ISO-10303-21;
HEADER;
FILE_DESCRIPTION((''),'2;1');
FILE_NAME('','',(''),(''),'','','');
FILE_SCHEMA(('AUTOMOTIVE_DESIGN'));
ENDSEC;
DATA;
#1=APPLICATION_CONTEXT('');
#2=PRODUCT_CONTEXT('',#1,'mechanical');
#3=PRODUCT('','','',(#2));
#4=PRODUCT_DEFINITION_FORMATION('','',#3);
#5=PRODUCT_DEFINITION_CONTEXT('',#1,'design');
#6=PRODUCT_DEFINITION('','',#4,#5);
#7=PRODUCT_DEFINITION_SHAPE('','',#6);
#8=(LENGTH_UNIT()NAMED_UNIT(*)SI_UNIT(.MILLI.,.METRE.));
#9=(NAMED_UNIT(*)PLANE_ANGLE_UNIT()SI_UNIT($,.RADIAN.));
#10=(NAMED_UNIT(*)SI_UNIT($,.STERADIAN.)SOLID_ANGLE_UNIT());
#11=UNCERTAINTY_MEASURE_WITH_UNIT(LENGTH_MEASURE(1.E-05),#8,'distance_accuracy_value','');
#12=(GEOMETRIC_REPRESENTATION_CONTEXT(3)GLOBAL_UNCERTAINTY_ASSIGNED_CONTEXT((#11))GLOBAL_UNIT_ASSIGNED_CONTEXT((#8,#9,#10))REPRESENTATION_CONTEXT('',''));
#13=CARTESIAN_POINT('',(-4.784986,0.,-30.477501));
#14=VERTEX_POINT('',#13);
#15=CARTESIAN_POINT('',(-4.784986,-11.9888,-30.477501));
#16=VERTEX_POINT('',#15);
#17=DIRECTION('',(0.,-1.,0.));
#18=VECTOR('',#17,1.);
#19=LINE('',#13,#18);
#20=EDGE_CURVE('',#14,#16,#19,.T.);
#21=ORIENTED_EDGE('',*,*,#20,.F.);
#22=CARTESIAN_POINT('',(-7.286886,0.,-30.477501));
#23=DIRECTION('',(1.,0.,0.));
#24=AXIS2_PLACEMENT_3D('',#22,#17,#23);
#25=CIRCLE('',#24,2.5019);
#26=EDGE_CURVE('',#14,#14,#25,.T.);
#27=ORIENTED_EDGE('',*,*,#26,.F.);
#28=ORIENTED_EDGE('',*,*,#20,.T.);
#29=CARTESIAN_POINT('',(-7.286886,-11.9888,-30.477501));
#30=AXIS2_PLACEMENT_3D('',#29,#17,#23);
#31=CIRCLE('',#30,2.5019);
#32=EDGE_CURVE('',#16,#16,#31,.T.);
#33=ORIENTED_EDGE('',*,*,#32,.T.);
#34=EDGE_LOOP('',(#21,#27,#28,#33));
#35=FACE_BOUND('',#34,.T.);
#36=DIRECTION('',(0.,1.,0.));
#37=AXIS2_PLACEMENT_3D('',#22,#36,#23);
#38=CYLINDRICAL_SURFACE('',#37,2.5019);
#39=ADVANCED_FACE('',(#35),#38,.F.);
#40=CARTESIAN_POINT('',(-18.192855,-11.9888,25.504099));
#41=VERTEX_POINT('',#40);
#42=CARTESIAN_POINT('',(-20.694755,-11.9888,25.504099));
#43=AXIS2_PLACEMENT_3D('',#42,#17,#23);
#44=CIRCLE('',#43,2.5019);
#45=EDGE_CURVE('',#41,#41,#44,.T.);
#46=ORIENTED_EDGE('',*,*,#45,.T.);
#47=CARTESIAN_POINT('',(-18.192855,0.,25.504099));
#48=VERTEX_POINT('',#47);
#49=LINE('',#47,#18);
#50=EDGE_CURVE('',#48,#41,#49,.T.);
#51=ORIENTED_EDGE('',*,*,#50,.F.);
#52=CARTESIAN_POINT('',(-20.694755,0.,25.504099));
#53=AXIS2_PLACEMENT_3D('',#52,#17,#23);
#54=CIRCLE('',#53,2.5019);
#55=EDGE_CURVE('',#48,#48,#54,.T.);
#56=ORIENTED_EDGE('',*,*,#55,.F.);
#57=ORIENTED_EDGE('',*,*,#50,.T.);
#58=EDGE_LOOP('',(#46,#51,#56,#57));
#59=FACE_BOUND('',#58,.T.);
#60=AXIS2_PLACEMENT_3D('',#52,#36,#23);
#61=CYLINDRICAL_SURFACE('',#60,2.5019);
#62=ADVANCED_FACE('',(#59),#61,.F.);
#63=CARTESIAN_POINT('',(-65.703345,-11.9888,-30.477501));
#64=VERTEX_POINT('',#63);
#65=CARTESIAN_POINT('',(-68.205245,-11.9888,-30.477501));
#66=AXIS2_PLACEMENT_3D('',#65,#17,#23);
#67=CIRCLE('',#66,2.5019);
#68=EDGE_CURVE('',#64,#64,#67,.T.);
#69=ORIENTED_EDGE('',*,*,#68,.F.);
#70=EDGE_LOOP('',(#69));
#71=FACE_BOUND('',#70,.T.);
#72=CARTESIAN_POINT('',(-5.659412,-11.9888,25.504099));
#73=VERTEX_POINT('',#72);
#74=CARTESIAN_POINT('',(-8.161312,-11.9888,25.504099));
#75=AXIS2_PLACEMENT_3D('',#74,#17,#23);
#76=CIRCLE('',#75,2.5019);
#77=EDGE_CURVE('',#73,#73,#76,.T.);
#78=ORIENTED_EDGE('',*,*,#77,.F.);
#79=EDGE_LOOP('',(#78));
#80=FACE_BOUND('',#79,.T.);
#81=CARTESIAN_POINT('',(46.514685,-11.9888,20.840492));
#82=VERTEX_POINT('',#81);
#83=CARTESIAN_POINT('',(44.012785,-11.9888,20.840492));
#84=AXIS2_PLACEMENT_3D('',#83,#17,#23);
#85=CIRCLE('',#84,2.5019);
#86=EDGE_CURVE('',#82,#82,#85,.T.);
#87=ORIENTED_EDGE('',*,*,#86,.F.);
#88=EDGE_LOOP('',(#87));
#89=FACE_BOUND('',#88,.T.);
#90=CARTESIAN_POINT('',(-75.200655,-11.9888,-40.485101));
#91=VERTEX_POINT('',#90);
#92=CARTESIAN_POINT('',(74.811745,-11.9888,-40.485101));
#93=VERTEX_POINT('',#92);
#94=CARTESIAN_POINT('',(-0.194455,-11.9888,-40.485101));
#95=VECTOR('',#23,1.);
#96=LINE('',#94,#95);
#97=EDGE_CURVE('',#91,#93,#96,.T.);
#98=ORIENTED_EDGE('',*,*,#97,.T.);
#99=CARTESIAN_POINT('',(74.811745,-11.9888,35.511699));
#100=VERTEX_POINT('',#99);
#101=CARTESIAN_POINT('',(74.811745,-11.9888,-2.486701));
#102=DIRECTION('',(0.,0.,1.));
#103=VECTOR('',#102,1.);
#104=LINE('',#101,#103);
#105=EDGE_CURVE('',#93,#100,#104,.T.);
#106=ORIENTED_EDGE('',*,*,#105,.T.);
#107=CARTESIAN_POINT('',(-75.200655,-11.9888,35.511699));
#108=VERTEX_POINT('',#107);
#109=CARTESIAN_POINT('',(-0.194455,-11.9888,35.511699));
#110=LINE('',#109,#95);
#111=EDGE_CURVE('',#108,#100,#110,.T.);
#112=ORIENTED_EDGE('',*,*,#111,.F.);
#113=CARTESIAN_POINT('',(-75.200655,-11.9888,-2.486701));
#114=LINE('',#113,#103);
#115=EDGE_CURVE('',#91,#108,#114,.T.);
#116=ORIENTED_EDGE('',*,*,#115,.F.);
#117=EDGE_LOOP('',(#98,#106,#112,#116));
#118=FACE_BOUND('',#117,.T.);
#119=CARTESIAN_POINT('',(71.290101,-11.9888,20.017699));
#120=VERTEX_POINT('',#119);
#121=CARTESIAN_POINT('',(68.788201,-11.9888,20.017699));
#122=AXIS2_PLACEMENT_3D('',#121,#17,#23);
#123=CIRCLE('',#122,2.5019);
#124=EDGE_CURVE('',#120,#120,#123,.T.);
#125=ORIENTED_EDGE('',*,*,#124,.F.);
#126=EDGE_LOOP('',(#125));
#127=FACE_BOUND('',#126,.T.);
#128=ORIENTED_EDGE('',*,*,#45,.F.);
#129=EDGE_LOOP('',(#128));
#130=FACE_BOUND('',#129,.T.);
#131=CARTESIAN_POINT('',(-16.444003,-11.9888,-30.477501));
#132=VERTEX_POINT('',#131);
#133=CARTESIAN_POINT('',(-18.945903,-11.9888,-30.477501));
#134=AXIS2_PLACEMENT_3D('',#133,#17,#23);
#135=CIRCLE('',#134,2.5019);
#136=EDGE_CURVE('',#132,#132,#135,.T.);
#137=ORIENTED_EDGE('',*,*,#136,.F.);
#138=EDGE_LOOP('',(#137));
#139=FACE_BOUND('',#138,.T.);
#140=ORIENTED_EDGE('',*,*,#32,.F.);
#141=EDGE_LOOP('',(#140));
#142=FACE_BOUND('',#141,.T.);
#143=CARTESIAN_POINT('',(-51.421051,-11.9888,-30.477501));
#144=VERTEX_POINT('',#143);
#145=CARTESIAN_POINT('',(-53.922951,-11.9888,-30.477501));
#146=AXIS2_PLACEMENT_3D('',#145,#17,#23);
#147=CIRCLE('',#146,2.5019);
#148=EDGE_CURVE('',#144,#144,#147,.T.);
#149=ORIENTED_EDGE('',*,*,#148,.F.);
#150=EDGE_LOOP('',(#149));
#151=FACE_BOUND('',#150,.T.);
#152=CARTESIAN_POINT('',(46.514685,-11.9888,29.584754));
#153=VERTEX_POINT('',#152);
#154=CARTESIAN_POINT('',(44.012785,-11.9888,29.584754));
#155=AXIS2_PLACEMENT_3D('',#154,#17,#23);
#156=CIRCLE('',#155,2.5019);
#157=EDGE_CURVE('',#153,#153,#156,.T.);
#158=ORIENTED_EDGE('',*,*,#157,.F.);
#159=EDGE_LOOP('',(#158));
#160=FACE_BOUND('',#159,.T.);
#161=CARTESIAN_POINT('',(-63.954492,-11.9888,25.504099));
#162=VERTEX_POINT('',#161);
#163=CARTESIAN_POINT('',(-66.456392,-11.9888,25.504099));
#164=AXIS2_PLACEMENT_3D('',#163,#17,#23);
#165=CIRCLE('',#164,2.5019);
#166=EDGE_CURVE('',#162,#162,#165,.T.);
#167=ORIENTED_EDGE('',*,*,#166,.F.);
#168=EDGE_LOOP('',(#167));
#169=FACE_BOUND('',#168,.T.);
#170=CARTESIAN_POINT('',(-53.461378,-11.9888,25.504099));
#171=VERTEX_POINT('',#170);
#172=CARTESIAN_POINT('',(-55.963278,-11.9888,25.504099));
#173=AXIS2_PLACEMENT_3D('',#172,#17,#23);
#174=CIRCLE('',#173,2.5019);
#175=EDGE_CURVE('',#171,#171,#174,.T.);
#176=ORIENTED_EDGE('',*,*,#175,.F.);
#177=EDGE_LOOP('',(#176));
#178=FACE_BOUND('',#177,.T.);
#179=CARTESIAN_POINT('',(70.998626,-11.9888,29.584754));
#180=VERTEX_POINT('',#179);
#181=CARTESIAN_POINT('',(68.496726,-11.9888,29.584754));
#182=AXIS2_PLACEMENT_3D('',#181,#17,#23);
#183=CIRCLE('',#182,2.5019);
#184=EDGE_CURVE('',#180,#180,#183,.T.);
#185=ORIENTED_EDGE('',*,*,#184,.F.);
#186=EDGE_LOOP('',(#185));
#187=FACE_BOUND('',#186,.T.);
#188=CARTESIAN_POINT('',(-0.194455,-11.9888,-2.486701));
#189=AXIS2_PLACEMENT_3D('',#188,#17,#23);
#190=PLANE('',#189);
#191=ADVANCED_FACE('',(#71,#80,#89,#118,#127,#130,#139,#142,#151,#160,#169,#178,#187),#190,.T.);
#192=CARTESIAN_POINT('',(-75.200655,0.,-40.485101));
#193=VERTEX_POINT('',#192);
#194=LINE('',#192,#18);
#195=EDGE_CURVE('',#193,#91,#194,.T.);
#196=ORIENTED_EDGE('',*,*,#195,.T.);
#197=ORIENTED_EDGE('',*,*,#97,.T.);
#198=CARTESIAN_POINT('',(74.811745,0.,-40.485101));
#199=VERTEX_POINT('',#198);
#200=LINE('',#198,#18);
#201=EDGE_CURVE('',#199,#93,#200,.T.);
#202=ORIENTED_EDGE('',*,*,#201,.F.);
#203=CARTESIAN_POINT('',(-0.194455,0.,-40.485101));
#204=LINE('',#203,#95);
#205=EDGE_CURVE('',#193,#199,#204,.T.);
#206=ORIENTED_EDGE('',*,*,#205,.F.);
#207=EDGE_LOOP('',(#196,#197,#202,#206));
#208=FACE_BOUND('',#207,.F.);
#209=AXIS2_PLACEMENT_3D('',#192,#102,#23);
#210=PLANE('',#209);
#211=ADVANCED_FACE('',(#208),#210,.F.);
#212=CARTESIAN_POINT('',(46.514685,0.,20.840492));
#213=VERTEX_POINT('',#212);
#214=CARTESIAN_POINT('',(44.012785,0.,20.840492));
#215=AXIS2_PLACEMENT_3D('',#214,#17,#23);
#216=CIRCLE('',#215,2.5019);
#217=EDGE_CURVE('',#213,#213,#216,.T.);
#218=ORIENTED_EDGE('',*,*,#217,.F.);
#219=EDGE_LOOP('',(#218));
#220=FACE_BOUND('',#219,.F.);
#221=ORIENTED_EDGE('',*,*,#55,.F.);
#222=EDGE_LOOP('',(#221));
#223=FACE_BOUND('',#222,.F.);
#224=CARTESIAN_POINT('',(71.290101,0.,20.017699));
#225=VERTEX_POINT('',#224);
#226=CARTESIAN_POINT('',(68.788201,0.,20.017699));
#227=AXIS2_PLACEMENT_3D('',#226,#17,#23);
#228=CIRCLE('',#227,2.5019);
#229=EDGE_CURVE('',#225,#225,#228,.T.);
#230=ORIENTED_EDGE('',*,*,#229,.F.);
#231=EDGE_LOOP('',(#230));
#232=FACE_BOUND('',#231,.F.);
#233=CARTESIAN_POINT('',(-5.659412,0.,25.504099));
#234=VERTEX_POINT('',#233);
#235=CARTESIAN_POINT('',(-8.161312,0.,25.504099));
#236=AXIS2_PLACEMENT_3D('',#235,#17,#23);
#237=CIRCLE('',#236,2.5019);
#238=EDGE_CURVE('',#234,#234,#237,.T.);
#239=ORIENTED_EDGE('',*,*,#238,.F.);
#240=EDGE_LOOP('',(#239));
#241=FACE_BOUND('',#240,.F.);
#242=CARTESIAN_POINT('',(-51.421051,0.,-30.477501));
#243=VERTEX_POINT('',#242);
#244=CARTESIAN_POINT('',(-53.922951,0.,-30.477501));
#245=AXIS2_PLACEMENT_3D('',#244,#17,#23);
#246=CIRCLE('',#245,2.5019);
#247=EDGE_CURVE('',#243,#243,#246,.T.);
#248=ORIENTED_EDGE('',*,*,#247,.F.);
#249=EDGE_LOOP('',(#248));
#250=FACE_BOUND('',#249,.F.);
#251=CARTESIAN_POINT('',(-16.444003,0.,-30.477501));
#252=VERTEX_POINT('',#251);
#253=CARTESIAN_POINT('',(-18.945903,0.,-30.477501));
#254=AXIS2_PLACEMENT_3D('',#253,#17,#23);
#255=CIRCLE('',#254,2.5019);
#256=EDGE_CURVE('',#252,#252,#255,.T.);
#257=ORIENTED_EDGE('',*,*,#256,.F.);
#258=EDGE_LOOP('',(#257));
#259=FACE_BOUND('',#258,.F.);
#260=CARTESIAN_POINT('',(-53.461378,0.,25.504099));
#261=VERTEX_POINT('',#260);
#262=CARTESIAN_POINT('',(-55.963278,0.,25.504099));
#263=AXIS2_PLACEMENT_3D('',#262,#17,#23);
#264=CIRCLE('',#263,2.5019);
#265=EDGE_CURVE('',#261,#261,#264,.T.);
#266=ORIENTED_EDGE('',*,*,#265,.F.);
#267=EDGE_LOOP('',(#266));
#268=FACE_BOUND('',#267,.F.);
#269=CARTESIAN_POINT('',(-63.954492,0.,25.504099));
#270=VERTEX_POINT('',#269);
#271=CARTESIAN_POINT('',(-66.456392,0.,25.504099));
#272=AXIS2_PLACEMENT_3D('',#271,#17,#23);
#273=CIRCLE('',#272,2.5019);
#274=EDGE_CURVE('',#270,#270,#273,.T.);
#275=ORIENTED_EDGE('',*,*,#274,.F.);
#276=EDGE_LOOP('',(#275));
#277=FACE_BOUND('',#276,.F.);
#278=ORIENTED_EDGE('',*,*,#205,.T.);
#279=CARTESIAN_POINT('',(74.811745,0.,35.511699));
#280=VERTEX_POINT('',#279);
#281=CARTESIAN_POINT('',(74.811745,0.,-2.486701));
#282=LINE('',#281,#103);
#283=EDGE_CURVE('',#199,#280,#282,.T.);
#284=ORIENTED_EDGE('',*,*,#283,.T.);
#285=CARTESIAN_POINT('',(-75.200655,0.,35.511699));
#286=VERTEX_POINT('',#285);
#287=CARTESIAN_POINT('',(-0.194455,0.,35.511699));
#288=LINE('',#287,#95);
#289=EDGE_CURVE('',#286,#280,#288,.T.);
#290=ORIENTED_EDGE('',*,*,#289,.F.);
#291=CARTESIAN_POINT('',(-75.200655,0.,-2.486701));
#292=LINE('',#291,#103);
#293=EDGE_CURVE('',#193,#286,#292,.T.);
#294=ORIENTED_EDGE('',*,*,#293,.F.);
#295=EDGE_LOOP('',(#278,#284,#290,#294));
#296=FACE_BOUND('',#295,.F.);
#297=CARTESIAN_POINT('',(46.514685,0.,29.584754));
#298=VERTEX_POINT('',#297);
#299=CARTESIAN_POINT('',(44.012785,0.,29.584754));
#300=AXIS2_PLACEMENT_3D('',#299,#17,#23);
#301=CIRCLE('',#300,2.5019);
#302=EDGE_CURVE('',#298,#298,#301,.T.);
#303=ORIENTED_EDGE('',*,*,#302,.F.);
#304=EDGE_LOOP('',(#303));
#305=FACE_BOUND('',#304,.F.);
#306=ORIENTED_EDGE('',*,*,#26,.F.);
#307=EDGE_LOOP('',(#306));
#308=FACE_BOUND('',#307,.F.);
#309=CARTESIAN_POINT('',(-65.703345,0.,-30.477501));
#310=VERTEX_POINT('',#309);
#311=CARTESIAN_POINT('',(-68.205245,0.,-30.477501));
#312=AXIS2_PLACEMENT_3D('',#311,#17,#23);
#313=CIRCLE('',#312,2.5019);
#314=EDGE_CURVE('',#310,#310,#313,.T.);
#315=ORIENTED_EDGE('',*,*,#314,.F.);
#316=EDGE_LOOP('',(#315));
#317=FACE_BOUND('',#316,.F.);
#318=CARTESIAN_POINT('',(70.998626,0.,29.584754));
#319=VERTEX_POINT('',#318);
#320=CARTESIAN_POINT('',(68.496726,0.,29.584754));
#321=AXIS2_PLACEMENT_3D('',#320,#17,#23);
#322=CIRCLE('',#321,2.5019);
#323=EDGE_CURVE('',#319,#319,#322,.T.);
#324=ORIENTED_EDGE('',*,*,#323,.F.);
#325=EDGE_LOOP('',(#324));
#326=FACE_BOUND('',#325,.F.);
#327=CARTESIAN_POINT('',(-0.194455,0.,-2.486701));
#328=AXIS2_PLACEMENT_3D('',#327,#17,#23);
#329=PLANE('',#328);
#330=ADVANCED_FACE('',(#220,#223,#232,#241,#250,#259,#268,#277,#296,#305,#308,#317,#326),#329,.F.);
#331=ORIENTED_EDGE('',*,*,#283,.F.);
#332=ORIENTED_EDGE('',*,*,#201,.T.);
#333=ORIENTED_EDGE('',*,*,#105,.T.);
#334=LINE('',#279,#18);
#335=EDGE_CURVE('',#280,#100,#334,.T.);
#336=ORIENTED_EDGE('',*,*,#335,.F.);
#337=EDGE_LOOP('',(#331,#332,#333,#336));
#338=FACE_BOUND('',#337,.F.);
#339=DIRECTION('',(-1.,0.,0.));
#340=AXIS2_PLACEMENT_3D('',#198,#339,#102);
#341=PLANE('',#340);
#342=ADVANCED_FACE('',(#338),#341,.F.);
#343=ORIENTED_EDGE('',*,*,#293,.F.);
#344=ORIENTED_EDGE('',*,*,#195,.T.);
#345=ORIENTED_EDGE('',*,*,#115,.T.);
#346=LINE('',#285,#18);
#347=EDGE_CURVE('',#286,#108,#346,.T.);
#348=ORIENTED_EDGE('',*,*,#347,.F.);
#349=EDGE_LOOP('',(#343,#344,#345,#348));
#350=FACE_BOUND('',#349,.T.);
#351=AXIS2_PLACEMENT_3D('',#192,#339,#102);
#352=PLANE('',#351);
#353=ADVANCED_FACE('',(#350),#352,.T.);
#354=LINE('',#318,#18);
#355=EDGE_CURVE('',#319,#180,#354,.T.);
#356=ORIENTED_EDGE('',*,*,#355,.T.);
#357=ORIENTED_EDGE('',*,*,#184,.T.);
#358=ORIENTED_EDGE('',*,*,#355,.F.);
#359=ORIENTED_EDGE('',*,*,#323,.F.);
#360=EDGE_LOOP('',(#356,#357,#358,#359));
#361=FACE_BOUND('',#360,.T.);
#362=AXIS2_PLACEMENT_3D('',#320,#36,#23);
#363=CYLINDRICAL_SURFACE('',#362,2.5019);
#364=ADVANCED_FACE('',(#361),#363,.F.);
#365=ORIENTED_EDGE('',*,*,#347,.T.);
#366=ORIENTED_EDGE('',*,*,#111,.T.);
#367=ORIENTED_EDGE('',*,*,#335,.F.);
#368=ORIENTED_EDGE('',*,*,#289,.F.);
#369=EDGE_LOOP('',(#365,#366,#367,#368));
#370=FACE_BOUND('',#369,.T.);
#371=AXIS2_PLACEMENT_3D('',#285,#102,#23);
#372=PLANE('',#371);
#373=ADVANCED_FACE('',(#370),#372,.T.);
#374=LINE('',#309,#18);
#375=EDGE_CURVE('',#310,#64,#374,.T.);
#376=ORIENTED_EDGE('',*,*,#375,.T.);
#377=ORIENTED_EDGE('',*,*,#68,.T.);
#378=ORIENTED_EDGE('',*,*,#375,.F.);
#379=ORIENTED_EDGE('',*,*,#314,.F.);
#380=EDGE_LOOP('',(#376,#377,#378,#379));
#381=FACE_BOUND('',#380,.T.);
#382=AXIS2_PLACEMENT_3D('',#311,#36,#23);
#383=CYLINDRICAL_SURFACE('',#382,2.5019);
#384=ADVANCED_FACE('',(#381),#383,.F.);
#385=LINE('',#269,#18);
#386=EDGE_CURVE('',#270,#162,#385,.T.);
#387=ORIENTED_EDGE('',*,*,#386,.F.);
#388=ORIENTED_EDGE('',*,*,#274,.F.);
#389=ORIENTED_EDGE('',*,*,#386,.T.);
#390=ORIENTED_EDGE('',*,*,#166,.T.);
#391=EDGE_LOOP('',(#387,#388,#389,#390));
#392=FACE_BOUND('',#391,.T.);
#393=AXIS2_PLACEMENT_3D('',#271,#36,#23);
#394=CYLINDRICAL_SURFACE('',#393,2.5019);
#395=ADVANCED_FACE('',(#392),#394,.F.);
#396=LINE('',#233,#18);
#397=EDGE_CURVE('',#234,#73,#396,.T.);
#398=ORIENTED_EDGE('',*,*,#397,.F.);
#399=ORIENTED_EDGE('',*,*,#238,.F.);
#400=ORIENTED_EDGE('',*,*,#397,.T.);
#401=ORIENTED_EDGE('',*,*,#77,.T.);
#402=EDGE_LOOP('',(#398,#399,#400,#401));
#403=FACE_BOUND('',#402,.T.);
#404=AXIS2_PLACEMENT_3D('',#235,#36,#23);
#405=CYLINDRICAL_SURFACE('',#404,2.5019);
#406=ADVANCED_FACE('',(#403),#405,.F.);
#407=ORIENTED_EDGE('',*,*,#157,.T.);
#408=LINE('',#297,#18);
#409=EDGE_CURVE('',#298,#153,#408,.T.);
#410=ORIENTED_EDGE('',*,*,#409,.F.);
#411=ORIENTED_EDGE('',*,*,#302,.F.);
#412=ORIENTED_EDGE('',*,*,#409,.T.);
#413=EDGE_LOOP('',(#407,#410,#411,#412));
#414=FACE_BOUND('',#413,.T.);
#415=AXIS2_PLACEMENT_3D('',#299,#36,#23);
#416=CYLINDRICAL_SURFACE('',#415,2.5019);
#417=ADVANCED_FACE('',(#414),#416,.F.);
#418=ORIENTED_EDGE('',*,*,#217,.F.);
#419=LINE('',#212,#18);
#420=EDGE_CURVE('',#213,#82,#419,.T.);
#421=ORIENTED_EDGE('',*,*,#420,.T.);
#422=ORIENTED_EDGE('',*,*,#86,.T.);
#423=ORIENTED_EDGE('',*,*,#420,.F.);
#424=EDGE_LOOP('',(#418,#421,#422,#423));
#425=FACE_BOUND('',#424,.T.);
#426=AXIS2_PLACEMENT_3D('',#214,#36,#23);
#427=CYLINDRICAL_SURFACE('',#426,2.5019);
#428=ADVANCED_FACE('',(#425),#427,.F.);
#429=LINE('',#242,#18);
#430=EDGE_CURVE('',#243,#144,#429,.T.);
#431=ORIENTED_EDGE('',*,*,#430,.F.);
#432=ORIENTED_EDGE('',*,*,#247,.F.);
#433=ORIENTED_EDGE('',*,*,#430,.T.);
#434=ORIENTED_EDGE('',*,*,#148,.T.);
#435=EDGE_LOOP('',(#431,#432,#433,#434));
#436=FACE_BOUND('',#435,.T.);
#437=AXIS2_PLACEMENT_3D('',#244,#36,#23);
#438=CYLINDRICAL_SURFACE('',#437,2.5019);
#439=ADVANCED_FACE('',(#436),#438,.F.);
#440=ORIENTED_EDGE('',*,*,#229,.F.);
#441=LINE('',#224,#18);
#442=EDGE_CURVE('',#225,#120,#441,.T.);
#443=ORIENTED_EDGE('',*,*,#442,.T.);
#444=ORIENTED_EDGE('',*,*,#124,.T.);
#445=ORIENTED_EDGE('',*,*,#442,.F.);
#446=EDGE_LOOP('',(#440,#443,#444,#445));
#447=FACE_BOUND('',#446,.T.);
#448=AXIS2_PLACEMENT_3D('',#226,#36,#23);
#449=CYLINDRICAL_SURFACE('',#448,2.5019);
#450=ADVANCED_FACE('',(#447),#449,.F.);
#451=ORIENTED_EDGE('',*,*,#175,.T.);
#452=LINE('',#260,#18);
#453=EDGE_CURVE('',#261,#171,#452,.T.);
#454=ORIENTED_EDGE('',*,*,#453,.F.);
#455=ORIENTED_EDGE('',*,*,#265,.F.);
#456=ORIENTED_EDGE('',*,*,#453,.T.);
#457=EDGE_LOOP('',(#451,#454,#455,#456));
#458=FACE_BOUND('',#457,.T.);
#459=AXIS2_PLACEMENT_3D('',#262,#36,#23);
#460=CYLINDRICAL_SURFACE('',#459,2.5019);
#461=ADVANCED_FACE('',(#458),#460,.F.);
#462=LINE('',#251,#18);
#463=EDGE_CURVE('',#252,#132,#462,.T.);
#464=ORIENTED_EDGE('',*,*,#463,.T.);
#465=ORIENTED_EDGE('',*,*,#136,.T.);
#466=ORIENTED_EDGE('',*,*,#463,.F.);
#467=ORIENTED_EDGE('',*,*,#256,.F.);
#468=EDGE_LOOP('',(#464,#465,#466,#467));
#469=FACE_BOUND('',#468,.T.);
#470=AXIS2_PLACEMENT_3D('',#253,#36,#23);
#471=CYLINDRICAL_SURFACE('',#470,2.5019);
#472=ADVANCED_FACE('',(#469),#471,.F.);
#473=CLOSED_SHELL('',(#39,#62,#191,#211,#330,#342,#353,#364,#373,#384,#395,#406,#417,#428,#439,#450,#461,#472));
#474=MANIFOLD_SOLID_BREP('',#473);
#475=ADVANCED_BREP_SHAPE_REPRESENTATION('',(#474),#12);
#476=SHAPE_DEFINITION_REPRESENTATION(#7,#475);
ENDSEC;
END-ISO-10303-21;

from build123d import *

# Parameters (mm, degrees)
F0_W     = 150.0124
F0_H     = 75.9968
F0_R     = 2.5019
F1_DEPTH = 11.9888


with BuildPart() as f1:
    # F0 (on Front) → F1 (new body)
    with BuildSketch(Plane.XZ):
        with Locations((-0.194455, -2.486701)):
            Rectangle(F0_W, F0_H)
        with Locations((-68.205245, -30.477501)):
            Circle(F0_R, mode=Mode.SUBTRACT)
        with Locations((-53.922951, -30.477501)):
            Circle(F0_R, mode=Mode.SUBTRACT)
        with Locations((-18.945903, -30.477501)):
            Circle(F0_R, mode=Mode.SUBTRACT)
        with Locations((-7.286886, -30.477501)):
            Circle(F0_R, mode=Mode.SUBTRACT)
        with Locations((-66.456392, 25.504099)):
            Circle(F0_R, mode=Mode.SUBTRACT)
        with Locations((-55.963278, 25.504099)):
            Circle(F0_R, mode=Mode.SUBTRACT)
        with Locations((-20.694755, 25.504099)):
            Circle(F0_R, mode=Mode.SUBTRACT)
        with Locations((-8.161312, 25.504099)):
            Circle(F0_R, mode=Mode.SUBTRACT)
        with Locations((44.012785, 20.840492)):
            Circle(F0_R, mode=Mode.SUBTRACT)
        with Locations((68.788201, 20.017699)):
            Circle(F0_R, mode=Mode.SUBTRACT)
        with Locations((44.012785, 29.584754)):
            Circle(F0_R, mode=Mode.SUBTRACT)
        with Locations((68.496726, 29.584754)):
            Circle(F0_R, mode=Mode.SUBTRACT)
    extrude(amount=F1_DEPTH)


solid = f1.part
